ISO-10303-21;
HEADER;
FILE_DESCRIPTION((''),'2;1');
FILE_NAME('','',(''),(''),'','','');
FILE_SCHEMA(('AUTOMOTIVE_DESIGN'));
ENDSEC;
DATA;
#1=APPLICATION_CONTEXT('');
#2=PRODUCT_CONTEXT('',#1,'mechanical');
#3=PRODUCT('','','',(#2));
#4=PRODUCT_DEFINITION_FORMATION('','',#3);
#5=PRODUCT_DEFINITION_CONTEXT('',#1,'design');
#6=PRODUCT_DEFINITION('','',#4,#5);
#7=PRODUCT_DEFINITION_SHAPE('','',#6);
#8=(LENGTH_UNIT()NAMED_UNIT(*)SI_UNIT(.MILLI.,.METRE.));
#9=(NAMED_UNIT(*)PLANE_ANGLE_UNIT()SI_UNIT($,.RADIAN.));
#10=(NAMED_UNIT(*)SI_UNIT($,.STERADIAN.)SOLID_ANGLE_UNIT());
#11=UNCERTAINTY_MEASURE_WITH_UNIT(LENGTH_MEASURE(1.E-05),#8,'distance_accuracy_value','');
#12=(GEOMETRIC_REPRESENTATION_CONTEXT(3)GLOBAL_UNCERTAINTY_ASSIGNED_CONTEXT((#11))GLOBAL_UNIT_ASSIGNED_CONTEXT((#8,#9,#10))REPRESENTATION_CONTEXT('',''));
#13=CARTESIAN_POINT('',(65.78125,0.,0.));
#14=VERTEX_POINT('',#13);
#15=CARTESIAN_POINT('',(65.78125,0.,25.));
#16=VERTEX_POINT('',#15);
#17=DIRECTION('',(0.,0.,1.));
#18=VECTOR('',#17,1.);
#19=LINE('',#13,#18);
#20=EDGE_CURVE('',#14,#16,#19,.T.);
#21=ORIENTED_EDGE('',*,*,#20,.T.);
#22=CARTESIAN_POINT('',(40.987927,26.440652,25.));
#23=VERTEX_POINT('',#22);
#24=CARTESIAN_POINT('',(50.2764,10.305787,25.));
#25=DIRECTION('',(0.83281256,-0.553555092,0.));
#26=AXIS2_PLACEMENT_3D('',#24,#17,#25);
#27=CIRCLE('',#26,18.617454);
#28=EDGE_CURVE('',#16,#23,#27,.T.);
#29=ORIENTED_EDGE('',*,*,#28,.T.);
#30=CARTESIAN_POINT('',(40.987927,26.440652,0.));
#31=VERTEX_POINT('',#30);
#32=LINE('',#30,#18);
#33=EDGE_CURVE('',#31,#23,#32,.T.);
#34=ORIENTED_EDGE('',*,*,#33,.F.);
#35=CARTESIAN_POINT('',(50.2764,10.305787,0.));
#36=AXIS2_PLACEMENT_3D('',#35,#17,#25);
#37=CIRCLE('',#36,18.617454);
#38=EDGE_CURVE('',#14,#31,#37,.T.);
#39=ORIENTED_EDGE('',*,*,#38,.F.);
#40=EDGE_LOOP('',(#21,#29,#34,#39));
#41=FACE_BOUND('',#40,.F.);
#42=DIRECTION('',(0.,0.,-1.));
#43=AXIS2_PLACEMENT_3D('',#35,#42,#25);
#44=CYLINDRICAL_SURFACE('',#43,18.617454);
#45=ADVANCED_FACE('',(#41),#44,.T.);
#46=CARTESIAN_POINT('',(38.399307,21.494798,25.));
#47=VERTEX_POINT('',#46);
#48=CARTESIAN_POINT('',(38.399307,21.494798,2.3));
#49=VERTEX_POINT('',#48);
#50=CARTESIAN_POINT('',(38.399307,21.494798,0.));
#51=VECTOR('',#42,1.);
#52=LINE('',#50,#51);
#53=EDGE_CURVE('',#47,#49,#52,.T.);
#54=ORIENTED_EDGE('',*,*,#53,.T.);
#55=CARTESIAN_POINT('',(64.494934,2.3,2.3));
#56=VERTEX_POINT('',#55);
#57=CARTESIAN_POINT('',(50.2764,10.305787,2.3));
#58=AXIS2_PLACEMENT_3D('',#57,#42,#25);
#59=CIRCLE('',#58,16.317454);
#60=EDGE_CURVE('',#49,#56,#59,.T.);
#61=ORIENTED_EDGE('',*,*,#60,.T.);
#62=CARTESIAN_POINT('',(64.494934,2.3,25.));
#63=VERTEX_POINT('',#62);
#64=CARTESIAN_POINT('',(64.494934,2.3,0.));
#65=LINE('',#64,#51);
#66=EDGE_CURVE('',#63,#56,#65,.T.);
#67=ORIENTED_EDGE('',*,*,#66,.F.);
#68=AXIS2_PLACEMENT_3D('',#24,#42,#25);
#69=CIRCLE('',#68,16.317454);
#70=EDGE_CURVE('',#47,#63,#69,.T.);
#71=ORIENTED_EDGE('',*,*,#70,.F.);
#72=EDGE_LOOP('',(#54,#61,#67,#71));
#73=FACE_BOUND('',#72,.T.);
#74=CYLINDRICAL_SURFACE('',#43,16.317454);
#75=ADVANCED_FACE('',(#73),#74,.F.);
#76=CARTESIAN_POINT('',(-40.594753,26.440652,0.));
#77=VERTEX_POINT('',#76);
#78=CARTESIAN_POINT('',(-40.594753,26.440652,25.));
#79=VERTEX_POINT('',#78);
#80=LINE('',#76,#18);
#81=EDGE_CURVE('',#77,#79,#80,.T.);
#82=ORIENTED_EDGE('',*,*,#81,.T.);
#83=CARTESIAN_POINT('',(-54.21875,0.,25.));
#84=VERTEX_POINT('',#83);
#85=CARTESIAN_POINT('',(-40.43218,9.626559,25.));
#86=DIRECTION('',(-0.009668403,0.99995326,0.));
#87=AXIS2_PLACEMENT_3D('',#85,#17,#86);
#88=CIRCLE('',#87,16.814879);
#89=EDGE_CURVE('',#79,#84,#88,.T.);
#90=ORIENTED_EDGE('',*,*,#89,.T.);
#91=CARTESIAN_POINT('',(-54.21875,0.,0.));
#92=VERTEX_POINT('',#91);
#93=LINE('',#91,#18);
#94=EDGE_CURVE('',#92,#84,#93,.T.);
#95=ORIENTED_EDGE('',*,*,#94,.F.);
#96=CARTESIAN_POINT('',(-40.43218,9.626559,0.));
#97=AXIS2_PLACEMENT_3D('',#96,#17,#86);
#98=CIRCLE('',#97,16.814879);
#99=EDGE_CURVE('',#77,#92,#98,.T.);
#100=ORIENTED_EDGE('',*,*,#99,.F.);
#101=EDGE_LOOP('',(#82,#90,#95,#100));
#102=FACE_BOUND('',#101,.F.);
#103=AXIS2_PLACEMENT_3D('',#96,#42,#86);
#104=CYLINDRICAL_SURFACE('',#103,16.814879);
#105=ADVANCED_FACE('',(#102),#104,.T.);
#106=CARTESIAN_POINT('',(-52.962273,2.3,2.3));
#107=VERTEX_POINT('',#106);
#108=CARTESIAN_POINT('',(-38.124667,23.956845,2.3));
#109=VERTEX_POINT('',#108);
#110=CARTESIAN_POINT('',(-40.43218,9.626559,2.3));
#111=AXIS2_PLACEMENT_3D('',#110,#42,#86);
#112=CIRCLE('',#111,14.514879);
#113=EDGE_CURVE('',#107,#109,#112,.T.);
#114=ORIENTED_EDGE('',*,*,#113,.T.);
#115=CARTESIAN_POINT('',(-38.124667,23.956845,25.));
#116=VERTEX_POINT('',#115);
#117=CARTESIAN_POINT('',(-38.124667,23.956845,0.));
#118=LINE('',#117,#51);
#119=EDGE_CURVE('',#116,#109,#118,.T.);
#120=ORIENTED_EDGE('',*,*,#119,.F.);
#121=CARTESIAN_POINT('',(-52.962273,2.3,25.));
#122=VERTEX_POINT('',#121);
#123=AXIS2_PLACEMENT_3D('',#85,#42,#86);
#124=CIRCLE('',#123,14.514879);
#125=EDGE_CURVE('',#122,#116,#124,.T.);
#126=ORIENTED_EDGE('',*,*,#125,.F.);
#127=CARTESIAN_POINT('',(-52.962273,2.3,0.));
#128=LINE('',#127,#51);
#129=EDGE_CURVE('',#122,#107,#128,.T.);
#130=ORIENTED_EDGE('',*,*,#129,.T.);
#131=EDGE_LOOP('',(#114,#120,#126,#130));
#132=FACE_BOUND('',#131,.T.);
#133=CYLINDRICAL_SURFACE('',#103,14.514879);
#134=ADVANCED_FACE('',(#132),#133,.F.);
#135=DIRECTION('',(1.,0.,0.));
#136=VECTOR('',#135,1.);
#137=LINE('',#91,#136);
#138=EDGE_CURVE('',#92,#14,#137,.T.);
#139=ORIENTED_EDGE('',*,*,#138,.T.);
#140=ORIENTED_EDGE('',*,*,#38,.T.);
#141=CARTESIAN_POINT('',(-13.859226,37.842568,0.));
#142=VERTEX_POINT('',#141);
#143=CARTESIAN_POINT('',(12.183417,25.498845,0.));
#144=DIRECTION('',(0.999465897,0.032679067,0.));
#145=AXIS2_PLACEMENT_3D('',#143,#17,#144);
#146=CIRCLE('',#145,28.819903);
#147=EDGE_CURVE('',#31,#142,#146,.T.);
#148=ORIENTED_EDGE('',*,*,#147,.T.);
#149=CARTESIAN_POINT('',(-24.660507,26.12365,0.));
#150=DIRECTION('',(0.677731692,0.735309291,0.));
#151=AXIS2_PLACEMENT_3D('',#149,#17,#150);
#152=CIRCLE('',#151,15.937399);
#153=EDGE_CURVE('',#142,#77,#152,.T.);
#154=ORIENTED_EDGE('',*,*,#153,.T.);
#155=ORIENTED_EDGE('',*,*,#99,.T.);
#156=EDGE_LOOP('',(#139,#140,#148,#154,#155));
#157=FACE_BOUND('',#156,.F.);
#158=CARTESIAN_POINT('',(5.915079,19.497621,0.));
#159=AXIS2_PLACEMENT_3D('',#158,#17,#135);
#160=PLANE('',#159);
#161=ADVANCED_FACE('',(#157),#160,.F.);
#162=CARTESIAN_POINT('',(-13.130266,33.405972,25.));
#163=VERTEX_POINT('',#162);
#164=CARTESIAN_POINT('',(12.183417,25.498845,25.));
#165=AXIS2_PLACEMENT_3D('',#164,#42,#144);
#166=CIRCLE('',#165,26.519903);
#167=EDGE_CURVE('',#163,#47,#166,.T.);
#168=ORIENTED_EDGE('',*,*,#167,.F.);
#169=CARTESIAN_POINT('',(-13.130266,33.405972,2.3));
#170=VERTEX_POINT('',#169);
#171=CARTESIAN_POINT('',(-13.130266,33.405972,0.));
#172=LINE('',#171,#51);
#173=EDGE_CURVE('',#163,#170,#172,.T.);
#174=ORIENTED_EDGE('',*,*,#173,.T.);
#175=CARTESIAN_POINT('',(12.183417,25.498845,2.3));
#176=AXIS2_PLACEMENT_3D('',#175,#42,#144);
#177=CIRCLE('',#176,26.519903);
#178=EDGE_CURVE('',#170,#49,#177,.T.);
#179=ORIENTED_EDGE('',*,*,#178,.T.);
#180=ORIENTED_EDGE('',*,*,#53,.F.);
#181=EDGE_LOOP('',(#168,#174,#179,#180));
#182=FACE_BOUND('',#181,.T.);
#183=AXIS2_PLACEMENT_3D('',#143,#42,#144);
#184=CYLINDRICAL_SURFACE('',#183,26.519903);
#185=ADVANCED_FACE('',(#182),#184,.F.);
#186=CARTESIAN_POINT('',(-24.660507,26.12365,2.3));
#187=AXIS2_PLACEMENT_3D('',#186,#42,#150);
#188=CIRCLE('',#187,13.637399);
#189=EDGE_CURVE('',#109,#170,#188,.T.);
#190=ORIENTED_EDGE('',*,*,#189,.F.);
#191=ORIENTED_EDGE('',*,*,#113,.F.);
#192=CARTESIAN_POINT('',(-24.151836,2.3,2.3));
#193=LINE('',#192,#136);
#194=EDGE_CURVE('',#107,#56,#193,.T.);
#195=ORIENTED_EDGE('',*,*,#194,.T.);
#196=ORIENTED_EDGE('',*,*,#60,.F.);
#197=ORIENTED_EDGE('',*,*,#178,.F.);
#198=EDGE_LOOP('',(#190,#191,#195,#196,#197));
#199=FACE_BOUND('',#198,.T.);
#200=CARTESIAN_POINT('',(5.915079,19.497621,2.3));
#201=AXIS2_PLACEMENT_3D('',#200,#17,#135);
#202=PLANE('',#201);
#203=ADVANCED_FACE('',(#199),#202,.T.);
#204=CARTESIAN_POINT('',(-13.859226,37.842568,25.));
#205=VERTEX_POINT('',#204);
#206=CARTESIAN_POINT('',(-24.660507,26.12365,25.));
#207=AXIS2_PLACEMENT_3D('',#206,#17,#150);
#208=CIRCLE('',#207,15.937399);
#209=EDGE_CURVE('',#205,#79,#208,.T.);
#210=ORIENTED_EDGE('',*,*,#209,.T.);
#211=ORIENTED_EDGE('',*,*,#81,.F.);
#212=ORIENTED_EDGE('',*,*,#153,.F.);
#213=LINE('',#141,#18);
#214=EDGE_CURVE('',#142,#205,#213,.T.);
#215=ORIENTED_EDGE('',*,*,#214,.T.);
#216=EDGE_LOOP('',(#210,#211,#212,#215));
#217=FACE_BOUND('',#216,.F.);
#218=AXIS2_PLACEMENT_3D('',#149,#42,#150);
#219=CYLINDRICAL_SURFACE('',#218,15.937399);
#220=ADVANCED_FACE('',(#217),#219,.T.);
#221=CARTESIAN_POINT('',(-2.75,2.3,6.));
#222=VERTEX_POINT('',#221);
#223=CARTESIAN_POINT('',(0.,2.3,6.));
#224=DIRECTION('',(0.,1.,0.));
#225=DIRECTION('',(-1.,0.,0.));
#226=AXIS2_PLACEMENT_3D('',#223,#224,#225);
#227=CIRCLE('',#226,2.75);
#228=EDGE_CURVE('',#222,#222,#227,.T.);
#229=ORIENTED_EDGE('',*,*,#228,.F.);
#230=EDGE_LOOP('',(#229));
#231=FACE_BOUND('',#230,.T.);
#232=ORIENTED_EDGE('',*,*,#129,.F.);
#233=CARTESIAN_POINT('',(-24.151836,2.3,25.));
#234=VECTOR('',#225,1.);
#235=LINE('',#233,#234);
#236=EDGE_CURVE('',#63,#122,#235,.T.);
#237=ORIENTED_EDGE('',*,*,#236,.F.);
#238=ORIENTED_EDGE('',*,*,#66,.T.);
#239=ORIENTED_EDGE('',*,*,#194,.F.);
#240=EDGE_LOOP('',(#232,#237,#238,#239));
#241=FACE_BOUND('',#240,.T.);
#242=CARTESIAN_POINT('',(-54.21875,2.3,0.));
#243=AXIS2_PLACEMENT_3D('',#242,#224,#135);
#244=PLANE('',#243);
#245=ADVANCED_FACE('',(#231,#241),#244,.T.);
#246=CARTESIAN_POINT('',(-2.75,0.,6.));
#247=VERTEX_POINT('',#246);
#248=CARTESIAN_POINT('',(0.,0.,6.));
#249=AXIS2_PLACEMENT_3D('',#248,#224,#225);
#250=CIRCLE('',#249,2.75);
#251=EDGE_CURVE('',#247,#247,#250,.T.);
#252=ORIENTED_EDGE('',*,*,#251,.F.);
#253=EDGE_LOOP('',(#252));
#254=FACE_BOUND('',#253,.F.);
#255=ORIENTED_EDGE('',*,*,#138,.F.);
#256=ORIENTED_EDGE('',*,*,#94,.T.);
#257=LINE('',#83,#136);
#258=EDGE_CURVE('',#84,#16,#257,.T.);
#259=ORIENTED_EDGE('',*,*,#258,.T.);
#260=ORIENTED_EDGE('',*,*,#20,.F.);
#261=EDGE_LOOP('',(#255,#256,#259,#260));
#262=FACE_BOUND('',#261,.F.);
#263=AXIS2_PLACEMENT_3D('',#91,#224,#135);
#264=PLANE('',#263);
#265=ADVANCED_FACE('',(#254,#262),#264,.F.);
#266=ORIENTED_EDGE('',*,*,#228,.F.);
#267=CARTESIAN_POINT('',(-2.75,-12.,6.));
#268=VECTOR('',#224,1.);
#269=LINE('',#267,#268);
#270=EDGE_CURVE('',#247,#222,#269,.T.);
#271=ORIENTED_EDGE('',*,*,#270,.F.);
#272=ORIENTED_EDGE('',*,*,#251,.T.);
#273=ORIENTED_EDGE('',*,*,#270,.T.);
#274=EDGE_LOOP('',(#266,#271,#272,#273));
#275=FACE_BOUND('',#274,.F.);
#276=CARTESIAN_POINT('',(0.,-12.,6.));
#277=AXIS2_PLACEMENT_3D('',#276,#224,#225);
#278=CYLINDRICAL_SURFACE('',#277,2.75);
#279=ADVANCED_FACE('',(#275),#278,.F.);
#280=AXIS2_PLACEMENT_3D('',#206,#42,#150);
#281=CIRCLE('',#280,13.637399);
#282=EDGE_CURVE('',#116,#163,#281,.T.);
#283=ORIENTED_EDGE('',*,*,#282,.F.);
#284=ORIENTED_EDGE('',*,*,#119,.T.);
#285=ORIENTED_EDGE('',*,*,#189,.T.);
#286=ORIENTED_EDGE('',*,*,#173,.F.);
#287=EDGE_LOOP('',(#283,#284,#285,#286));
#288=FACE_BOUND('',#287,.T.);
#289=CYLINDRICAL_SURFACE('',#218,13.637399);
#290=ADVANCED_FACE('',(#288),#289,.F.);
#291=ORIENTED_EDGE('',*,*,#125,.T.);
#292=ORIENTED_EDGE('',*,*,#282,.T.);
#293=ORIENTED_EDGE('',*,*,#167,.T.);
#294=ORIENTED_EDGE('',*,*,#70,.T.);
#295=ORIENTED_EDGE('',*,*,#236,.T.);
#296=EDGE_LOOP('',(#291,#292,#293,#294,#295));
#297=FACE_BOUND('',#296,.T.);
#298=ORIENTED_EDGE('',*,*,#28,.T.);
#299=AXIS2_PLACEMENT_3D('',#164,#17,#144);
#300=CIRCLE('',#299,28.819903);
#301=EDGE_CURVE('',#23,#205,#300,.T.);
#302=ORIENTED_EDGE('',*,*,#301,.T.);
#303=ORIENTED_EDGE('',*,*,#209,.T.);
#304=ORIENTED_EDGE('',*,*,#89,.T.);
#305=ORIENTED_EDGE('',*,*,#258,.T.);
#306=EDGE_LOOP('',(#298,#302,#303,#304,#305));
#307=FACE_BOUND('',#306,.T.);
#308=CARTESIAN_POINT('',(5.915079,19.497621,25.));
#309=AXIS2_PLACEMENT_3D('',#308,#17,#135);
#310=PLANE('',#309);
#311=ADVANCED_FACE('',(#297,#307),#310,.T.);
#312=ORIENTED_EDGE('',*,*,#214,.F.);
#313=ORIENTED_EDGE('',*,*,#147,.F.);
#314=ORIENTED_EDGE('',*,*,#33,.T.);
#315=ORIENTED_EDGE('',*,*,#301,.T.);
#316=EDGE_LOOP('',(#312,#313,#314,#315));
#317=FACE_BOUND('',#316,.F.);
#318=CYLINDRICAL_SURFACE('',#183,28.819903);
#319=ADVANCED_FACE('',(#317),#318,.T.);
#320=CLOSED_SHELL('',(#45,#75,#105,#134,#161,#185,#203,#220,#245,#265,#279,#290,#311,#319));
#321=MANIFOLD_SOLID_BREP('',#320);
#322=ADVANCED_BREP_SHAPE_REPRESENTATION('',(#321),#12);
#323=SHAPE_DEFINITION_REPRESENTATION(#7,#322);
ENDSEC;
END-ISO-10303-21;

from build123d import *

# Parameters (mm, degrees)
F1_DEPTH = 25
F2_T     = -2.3
F4_D     = 5.5
F4_DEPTH = 12
F4_TIP   = 1.6523667023


with BuildPart() as f1:
    # F0 (on Top) → F1 (new body)
    with BuildSketch(Plane.XY):
        with BuildLine():
            ThreePointArc((-40.594752878, 26.4406520873), (-55.3794762118, 17.3284085078), (-54.2187498458, 0))
            Line((-54.2187498458, 0), (65.7812501542, 0))
            ThreePointArc((65.7812501542, 0), (63.8571902729, 23.0404540262), (40.9879274666, 26.4406520873))
            ThreePointArc((40.9879274666, 26.4406520873), (18.0492419713, 53.7154868807), (-13.8592263684, 37.8425680101))
            ThreePointArc((-13.8592263684, 37.8425680101), (-30.9125269305, 40.7835594412), (-40.594752878, 26.4406520873))
        make_face()
    extrude(amount=F1_DEPTH)

    # F2
    f2_openings = [f1.faces().sort_by_distance(p)[0] for p in [
        (5.721162, 21.020998, 25),
    ]]
    offset(amount=F2_T, openings=f2_openings, kind=Kind.INTERSECTION)

    # F4
    with Locations(Plane.XZ):
        with Locations((0, 6)):
            Hole(F4_D / 2, depth=F4_DEPTH)
            with Locations((0, 0, -(F4_DEPTH + F4_TIP / 2))):  # 118° drill point
                Cone(0, F4_D / 2, F4_TIP, mode=Mode.SUBTRACT)


solid = f1.part
